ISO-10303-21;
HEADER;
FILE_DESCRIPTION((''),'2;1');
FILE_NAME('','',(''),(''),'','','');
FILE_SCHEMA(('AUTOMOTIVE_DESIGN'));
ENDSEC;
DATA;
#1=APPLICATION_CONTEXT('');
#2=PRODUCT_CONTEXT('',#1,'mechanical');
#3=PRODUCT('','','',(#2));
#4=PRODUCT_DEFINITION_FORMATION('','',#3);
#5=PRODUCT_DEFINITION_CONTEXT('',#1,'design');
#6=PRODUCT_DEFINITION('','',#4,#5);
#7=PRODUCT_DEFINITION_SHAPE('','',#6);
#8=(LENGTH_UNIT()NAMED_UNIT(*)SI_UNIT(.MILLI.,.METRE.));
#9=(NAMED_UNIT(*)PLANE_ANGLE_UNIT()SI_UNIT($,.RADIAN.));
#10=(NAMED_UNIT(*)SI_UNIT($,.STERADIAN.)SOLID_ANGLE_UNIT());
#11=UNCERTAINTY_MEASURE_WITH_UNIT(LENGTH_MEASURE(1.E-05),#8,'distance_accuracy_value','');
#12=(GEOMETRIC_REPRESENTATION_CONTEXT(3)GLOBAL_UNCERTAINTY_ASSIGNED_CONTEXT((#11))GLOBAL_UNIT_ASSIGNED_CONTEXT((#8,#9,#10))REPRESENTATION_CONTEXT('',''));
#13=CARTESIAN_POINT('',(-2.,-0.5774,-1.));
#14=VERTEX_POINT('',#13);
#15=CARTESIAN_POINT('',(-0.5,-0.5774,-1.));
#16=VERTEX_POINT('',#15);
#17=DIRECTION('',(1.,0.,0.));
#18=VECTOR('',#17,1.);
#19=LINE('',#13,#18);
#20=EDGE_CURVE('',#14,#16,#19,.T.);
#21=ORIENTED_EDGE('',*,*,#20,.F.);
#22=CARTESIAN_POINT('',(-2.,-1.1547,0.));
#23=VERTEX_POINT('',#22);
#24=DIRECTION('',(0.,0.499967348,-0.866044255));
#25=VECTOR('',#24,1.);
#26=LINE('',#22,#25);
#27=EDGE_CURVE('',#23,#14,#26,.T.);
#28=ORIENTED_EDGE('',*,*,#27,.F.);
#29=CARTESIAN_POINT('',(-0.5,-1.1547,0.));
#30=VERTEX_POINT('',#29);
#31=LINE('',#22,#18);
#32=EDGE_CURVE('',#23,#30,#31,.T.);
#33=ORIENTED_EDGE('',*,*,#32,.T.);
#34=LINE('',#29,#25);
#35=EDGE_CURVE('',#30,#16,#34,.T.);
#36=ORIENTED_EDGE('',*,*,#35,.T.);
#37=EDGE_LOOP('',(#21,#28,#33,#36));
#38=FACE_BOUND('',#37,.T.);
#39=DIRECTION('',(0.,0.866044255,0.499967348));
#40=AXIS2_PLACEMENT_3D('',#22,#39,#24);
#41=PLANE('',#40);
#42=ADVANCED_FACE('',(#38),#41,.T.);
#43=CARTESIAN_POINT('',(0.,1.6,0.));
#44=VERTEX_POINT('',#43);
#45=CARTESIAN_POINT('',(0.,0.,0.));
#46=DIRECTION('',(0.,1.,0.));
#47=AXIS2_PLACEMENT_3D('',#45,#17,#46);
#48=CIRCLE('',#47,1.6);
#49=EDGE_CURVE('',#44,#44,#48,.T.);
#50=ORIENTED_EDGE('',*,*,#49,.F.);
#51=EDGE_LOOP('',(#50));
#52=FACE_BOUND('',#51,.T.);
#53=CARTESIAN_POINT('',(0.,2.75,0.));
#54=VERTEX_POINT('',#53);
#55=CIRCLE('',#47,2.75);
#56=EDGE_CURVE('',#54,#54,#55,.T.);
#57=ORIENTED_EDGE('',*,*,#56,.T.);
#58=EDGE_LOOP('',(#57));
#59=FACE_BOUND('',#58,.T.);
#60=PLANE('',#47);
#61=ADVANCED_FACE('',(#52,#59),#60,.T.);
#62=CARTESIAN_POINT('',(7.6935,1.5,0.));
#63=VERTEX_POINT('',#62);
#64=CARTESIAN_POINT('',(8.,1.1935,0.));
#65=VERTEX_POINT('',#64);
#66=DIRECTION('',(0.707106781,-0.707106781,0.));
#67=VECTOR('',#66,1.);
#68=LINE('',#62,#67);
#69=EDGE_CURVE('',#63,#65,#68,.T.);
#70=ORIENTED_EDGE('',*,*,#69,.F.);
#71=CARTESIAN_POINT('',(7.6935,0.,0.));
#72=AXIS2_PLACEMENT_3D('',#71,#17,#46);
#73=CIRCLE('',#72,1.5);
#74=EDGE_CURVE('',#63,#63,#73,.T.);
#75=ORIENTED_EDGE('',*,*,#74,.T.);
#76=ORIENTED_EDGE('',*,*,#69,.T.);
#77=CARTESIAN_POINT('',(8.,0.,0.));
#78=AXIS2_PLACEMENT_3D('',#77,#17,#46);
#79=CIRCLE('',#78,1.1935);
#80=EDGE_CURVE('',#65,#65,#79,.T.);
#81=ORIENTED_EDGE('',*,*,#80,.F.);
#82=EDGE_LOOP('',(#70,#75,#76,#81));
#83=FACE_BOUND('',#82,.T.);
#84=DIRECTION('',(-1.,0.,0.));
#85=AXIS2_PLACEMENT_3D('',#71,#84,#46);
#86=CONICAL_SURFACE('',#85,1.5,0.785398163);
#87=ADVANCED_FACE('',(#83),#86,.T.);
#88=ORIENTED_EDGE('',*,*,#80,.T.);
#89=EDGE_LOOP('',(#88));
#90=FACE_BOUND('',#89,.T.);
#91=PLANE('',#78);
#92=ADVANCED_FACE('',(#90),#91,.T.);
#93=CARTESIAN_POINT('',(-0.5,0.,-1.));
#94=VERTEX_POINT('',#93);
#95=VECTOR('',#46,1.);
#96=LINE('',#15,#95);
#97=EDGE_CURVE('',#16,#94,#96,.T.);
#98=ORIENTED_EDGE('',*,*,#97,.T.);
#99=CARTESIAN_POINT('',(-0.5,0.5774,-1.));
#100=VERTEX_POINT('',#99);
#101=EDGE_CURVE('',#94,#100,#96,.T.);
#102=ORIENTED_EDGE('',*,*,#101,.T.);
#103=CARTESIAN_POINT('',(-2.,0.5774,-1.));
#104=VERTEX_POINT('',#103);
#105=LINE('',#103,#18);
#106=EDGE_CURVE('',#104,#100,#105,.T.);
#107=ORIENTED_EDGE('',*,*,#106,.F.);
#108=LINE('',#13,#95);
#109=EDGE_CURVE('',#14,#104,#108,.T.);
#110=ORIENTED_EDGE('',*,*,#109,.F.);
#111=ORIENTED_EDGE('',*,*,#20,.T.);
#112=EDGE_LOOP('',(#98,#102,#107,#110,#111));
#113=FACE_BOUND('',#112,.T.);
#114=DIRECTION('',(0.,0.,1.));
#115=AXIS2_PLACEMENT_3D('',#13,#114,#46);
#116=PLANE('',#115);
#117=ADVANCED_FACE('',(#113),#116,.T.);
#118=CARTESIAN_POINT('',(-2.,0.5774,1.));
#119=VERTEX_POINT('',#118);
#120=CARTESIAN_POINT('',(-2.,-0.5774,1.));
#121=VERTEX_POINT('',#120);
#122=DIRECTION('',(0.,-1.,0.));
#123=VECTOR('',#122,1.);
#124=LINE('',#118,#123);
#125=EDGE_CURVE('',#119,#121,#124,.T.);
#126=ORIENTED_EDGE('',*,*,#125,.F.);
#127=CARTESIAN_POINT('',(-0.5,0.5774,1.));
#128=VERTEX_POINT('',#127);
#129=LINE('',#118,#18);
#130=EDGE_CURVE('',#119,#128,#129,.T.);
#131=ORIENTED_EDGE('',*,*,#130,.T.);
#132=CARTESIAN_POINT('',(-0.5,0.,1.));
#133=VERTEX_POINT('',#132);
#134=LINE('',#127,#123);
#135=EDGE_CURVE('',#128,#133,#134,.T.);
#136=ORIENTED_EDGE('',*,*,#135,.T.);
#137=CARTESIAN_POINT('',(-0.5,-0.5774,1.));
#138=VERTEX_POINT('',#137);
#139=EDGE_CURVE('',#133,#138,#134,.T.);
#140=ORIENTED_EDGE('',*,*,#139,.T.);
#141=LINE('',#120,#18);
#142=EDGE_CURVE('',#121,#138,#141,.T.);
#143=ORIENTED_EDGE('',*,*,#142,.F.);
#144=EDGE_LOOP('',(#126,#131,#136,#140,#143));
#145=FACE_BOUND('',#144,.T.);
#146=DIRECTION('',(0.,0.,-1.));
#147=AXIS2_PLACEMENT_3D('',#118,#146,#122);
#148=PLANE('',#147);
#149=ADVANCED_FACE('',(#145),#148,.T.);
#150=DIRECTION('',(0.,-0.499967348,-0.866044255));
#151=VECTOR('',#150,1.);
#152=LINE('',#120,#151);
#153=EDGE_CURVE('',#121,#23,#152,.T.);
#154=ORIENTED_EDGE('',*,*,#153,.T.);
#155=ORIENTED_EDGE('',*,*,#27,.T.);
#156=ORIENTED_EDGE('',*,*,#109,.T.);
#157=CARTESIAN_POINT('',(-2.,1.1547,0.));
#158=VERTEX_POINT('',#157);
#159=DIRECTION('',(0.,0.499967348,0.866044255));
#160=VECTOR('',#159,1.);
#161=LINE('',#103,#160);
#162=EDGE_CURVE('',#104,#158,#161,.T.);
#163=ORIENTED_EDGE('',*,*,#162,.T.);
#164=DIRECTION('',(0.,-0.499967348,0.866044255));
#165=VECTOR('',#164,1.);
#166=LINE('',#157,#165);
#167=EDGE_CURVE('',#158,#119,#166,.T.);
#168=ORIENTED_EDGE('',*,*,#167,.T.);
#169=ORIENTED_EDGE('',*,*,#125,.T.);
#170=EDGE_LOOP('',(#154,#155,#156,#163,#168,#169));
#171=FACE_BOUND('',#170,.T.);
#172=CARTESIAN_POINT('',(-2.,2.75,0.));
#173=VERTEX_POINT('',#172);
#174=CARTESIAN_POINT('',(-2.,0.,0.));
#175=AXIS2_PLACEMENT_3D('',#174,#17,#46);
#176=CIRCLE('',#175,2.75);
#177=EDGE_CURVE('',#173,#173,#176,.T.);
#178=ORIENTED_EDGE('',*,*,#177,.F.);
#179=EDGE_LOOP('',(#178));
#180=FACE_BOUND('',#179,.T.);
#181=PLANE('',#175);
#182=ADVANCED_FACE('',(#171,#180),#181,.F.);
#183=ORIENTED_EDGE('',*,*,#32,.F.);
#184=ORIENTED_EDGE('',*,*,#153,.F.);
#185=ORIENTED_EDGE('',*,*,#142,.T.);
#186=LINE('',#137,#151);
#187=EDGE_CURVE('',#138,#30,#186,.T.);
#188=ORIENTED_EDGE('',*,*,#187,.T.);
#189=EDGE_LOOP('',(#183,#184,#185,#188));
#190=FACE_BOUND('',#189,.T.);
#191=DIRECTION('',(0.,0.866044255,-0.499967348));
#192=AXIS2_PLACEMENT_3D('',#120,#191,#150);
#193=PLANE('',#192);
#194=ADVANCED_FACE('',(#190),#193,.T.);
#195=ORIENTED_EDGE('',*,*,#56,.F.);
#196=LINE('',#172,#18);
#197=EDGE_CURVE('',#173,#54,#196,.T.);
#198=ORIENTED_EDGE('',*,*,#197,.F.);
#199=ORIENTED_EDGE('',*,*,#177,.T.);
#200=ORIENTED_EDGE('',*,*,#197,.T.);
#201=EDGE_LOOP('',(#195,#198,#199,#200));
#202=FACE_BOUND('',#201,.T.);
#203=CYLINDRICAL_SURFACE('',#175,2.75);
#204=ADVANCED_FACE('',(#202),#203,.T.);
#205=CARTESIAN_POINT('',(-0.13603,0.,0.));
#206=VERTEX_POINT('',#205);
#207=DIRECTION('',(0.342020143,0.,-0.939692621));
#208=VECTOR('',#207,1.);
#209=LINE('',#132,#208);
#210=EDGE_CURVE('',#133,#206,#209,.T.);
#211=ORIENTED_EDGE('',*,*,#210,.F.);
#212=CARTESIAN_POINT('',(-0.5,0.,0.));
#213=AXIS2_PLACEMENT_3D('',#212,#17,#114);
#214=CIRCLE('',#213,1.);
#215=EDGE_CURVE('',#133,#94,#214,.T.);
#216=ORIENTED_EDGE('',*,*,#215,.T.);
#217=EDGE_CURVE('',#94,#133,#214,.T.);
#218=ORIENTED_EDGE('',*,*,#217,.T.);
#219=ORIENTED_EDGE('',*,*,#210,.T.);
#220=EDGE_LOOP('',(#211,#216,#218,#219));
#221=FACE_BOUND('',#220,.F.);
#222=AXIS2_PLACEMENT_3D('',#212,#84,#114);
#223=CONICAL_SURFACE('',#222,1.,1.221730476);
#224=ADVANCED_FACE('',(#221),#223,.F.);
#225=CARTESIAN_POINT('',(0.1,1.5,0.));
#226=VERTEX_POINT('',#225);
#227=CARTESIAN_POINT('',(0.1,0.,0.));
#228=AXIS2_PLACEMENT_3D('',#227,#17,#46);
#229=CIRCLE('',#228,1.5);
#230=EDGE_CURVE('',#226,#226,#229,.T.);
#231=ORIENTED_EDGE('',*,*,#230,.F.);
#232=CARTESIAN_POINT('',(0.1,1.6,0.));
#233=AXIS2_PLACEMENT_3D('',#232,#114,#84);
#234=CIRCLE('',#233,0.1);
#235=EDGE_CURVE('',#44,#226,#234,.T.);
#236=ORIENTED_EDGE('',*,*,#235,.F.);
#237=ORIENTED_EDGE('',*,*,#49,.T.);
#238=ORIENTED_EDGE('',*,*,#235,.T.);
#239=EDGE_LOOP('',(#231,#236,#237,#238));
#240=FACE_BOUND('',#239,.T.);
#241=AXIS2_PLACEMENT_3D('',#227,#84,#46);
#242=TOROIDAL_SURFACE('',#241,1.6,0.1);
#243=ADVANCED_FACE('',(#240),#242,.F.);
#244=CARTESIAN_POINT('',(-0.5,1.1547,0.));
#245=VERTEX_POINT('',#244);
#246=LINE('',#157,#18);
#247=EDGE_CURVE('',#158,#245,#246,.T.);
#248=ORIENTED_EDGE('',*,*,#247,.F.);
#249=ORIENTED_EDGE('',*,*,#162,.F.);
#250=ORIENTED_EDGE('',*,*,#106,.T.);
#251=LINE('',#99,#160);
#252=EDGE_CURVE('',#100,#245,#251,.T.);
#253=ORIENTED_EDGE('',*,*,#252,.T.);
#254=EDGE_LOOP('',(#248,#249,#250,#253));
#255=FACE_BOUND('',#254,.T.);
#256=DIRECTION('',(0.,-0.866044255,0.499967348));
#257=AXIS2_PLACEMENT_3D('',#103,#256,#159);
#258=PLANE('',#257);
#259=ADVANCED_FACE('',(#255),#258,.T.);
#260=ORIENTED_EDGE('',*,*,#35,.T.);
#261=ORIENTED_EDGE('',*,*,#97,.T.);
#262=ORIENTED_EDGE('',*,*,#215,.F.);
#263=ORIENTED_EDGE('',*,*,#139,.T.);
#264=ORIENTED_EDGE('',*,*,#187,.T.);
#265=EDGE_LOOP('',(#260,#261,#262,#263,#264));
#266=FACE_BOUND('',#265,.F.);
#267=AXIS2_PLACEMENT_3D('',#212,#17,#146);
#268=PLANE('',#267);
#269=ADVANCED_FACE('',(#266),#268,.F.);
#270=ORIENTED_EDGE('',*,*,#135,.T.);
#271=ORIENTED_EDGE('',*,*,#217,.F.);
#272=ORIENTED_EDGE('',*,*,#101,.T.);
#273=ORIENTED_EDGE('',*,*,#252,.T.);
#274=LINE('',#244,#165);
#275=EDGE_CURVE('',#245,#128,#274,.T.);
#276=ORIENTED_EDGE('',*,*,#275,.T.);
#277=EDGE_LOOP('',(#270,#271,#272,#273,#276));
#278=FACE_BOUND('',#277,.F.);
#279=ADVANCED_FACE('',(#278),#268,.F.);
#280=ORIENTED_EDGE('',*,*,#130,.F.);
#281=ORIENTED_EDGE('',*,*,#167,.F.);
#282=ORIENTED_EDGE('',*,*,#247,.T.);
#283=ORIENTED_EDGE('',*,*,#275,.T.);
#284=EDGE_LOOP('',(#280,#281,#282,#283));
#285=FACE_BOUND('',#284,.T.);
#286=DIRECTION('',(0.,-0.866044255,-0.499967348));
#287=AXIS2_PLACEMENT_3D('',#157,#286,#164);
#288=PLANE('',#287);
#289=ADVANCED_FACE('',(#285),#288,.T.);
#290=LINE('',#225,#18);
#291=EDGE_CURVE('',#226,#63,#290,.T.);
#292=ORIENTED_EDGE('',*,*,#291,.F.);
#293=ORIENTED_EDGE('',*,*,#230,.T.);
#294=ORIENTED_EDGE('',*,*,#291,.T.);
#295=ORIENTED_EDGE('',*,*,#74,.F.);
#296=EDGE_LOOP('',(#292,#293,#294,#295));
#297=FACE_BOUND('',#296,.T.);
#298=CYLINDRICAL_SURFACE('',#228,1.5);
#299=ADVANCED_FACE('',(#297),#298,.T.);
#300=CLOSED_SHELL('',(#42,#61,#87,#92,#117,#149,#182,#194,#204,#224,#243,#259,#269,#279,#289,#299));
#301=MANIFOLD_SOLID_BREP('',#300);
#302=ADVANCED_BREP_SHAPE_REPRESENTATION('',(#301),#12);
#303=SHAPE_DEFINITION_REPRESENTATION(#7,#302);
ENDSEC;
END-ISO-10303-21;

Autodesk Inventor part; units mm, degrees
sketch "Sketch_1" plane through (0, 0, 0) normal (0, 0, 1) x (1, 0, 0)
  line L0 (8, 0) -> (-2, 0)
  line L1 (-2, 0) -> (-2, 2.75)
  line L2 (-2, 2.75) -> (0, 2.75)
  line L3 (0, 2.75) -> (0, 1.6)
  arc A0 (0, 1.6) -> (0.1, 1.5) centre (0.1, 1.6) ccw
  line L4 (0.1, 1.5) -> (7.6935, 1.5)
  line L5 (7.6935, 1.5) -> (8, 1.1935)
  line L6 (8, 1.1935) -> (8, 0)
  line L7 (8, 0) -> (-2, 0)
revolve "Revolution1" add sketch "Sketch_1" angle 360 about axis through (8, 0, 0) along (1, 0, 0)
thread "Thread1" size "M3x0.5" class "6g" standard "ISO Metric profile" length 7.1935
sketch "Sketch2" plane through (-2, 0, 0) normal (-1, 0, 0) x (0, 0, 1)
  point P0 (0, 0)
hole "Hole1" at (-2, 0, 0) direction (1, 0, 0) diameter 2 depth 1.5 tip angle 140
sketch "Sketch_3" plane through (-2, 0, 0) normal (1, 0, 0) x (0, 0, -1)
  line L0 (-1, 0.5774) -> (-1, -0.5774)
  line L1 (-1, -0.5774) -> (0, -1.1547)
  line L2 (0, -1.1547) -> (1, -0.5774)
  line L3 (1, -0.5774) -> (1, 0.5774)
  line L4 (1, 0.5774) -> (0, 1.1547)
  line L5 (0, 1.1547) -> (-1, 0.5774)
extrude "Extrusion1" cut sketch "Sketch_3" along normal blind 1.5
ref_plane "bolt_XY" through (0, 0, 0) normal (1, 0, 0) x (0, 0, -1)
ref_plane "bolt_YZ" through (0, 0, 0) normal (0, 0, -1) x (0, 1, 0)
ref_plane "bolt_ZX" through (0, 0, 0) normal (0, 1, 0) x (1, 0, 0)
ref_plane "bolt_to_nut_XY" through (8, 0, 0) normal (1, 0, 0) x (0, 0, -1)
ref_plane "bolt_to_nut_YZ" through (8, 0, 0) normal (0, 0, -1) x (0, 1, 0)
ref_plane "bolt_to_nut_ZX" through (8, 0, 0) normal (0, 1, 0) x (1, 0, 0)
properties part number "CBS3-8"
